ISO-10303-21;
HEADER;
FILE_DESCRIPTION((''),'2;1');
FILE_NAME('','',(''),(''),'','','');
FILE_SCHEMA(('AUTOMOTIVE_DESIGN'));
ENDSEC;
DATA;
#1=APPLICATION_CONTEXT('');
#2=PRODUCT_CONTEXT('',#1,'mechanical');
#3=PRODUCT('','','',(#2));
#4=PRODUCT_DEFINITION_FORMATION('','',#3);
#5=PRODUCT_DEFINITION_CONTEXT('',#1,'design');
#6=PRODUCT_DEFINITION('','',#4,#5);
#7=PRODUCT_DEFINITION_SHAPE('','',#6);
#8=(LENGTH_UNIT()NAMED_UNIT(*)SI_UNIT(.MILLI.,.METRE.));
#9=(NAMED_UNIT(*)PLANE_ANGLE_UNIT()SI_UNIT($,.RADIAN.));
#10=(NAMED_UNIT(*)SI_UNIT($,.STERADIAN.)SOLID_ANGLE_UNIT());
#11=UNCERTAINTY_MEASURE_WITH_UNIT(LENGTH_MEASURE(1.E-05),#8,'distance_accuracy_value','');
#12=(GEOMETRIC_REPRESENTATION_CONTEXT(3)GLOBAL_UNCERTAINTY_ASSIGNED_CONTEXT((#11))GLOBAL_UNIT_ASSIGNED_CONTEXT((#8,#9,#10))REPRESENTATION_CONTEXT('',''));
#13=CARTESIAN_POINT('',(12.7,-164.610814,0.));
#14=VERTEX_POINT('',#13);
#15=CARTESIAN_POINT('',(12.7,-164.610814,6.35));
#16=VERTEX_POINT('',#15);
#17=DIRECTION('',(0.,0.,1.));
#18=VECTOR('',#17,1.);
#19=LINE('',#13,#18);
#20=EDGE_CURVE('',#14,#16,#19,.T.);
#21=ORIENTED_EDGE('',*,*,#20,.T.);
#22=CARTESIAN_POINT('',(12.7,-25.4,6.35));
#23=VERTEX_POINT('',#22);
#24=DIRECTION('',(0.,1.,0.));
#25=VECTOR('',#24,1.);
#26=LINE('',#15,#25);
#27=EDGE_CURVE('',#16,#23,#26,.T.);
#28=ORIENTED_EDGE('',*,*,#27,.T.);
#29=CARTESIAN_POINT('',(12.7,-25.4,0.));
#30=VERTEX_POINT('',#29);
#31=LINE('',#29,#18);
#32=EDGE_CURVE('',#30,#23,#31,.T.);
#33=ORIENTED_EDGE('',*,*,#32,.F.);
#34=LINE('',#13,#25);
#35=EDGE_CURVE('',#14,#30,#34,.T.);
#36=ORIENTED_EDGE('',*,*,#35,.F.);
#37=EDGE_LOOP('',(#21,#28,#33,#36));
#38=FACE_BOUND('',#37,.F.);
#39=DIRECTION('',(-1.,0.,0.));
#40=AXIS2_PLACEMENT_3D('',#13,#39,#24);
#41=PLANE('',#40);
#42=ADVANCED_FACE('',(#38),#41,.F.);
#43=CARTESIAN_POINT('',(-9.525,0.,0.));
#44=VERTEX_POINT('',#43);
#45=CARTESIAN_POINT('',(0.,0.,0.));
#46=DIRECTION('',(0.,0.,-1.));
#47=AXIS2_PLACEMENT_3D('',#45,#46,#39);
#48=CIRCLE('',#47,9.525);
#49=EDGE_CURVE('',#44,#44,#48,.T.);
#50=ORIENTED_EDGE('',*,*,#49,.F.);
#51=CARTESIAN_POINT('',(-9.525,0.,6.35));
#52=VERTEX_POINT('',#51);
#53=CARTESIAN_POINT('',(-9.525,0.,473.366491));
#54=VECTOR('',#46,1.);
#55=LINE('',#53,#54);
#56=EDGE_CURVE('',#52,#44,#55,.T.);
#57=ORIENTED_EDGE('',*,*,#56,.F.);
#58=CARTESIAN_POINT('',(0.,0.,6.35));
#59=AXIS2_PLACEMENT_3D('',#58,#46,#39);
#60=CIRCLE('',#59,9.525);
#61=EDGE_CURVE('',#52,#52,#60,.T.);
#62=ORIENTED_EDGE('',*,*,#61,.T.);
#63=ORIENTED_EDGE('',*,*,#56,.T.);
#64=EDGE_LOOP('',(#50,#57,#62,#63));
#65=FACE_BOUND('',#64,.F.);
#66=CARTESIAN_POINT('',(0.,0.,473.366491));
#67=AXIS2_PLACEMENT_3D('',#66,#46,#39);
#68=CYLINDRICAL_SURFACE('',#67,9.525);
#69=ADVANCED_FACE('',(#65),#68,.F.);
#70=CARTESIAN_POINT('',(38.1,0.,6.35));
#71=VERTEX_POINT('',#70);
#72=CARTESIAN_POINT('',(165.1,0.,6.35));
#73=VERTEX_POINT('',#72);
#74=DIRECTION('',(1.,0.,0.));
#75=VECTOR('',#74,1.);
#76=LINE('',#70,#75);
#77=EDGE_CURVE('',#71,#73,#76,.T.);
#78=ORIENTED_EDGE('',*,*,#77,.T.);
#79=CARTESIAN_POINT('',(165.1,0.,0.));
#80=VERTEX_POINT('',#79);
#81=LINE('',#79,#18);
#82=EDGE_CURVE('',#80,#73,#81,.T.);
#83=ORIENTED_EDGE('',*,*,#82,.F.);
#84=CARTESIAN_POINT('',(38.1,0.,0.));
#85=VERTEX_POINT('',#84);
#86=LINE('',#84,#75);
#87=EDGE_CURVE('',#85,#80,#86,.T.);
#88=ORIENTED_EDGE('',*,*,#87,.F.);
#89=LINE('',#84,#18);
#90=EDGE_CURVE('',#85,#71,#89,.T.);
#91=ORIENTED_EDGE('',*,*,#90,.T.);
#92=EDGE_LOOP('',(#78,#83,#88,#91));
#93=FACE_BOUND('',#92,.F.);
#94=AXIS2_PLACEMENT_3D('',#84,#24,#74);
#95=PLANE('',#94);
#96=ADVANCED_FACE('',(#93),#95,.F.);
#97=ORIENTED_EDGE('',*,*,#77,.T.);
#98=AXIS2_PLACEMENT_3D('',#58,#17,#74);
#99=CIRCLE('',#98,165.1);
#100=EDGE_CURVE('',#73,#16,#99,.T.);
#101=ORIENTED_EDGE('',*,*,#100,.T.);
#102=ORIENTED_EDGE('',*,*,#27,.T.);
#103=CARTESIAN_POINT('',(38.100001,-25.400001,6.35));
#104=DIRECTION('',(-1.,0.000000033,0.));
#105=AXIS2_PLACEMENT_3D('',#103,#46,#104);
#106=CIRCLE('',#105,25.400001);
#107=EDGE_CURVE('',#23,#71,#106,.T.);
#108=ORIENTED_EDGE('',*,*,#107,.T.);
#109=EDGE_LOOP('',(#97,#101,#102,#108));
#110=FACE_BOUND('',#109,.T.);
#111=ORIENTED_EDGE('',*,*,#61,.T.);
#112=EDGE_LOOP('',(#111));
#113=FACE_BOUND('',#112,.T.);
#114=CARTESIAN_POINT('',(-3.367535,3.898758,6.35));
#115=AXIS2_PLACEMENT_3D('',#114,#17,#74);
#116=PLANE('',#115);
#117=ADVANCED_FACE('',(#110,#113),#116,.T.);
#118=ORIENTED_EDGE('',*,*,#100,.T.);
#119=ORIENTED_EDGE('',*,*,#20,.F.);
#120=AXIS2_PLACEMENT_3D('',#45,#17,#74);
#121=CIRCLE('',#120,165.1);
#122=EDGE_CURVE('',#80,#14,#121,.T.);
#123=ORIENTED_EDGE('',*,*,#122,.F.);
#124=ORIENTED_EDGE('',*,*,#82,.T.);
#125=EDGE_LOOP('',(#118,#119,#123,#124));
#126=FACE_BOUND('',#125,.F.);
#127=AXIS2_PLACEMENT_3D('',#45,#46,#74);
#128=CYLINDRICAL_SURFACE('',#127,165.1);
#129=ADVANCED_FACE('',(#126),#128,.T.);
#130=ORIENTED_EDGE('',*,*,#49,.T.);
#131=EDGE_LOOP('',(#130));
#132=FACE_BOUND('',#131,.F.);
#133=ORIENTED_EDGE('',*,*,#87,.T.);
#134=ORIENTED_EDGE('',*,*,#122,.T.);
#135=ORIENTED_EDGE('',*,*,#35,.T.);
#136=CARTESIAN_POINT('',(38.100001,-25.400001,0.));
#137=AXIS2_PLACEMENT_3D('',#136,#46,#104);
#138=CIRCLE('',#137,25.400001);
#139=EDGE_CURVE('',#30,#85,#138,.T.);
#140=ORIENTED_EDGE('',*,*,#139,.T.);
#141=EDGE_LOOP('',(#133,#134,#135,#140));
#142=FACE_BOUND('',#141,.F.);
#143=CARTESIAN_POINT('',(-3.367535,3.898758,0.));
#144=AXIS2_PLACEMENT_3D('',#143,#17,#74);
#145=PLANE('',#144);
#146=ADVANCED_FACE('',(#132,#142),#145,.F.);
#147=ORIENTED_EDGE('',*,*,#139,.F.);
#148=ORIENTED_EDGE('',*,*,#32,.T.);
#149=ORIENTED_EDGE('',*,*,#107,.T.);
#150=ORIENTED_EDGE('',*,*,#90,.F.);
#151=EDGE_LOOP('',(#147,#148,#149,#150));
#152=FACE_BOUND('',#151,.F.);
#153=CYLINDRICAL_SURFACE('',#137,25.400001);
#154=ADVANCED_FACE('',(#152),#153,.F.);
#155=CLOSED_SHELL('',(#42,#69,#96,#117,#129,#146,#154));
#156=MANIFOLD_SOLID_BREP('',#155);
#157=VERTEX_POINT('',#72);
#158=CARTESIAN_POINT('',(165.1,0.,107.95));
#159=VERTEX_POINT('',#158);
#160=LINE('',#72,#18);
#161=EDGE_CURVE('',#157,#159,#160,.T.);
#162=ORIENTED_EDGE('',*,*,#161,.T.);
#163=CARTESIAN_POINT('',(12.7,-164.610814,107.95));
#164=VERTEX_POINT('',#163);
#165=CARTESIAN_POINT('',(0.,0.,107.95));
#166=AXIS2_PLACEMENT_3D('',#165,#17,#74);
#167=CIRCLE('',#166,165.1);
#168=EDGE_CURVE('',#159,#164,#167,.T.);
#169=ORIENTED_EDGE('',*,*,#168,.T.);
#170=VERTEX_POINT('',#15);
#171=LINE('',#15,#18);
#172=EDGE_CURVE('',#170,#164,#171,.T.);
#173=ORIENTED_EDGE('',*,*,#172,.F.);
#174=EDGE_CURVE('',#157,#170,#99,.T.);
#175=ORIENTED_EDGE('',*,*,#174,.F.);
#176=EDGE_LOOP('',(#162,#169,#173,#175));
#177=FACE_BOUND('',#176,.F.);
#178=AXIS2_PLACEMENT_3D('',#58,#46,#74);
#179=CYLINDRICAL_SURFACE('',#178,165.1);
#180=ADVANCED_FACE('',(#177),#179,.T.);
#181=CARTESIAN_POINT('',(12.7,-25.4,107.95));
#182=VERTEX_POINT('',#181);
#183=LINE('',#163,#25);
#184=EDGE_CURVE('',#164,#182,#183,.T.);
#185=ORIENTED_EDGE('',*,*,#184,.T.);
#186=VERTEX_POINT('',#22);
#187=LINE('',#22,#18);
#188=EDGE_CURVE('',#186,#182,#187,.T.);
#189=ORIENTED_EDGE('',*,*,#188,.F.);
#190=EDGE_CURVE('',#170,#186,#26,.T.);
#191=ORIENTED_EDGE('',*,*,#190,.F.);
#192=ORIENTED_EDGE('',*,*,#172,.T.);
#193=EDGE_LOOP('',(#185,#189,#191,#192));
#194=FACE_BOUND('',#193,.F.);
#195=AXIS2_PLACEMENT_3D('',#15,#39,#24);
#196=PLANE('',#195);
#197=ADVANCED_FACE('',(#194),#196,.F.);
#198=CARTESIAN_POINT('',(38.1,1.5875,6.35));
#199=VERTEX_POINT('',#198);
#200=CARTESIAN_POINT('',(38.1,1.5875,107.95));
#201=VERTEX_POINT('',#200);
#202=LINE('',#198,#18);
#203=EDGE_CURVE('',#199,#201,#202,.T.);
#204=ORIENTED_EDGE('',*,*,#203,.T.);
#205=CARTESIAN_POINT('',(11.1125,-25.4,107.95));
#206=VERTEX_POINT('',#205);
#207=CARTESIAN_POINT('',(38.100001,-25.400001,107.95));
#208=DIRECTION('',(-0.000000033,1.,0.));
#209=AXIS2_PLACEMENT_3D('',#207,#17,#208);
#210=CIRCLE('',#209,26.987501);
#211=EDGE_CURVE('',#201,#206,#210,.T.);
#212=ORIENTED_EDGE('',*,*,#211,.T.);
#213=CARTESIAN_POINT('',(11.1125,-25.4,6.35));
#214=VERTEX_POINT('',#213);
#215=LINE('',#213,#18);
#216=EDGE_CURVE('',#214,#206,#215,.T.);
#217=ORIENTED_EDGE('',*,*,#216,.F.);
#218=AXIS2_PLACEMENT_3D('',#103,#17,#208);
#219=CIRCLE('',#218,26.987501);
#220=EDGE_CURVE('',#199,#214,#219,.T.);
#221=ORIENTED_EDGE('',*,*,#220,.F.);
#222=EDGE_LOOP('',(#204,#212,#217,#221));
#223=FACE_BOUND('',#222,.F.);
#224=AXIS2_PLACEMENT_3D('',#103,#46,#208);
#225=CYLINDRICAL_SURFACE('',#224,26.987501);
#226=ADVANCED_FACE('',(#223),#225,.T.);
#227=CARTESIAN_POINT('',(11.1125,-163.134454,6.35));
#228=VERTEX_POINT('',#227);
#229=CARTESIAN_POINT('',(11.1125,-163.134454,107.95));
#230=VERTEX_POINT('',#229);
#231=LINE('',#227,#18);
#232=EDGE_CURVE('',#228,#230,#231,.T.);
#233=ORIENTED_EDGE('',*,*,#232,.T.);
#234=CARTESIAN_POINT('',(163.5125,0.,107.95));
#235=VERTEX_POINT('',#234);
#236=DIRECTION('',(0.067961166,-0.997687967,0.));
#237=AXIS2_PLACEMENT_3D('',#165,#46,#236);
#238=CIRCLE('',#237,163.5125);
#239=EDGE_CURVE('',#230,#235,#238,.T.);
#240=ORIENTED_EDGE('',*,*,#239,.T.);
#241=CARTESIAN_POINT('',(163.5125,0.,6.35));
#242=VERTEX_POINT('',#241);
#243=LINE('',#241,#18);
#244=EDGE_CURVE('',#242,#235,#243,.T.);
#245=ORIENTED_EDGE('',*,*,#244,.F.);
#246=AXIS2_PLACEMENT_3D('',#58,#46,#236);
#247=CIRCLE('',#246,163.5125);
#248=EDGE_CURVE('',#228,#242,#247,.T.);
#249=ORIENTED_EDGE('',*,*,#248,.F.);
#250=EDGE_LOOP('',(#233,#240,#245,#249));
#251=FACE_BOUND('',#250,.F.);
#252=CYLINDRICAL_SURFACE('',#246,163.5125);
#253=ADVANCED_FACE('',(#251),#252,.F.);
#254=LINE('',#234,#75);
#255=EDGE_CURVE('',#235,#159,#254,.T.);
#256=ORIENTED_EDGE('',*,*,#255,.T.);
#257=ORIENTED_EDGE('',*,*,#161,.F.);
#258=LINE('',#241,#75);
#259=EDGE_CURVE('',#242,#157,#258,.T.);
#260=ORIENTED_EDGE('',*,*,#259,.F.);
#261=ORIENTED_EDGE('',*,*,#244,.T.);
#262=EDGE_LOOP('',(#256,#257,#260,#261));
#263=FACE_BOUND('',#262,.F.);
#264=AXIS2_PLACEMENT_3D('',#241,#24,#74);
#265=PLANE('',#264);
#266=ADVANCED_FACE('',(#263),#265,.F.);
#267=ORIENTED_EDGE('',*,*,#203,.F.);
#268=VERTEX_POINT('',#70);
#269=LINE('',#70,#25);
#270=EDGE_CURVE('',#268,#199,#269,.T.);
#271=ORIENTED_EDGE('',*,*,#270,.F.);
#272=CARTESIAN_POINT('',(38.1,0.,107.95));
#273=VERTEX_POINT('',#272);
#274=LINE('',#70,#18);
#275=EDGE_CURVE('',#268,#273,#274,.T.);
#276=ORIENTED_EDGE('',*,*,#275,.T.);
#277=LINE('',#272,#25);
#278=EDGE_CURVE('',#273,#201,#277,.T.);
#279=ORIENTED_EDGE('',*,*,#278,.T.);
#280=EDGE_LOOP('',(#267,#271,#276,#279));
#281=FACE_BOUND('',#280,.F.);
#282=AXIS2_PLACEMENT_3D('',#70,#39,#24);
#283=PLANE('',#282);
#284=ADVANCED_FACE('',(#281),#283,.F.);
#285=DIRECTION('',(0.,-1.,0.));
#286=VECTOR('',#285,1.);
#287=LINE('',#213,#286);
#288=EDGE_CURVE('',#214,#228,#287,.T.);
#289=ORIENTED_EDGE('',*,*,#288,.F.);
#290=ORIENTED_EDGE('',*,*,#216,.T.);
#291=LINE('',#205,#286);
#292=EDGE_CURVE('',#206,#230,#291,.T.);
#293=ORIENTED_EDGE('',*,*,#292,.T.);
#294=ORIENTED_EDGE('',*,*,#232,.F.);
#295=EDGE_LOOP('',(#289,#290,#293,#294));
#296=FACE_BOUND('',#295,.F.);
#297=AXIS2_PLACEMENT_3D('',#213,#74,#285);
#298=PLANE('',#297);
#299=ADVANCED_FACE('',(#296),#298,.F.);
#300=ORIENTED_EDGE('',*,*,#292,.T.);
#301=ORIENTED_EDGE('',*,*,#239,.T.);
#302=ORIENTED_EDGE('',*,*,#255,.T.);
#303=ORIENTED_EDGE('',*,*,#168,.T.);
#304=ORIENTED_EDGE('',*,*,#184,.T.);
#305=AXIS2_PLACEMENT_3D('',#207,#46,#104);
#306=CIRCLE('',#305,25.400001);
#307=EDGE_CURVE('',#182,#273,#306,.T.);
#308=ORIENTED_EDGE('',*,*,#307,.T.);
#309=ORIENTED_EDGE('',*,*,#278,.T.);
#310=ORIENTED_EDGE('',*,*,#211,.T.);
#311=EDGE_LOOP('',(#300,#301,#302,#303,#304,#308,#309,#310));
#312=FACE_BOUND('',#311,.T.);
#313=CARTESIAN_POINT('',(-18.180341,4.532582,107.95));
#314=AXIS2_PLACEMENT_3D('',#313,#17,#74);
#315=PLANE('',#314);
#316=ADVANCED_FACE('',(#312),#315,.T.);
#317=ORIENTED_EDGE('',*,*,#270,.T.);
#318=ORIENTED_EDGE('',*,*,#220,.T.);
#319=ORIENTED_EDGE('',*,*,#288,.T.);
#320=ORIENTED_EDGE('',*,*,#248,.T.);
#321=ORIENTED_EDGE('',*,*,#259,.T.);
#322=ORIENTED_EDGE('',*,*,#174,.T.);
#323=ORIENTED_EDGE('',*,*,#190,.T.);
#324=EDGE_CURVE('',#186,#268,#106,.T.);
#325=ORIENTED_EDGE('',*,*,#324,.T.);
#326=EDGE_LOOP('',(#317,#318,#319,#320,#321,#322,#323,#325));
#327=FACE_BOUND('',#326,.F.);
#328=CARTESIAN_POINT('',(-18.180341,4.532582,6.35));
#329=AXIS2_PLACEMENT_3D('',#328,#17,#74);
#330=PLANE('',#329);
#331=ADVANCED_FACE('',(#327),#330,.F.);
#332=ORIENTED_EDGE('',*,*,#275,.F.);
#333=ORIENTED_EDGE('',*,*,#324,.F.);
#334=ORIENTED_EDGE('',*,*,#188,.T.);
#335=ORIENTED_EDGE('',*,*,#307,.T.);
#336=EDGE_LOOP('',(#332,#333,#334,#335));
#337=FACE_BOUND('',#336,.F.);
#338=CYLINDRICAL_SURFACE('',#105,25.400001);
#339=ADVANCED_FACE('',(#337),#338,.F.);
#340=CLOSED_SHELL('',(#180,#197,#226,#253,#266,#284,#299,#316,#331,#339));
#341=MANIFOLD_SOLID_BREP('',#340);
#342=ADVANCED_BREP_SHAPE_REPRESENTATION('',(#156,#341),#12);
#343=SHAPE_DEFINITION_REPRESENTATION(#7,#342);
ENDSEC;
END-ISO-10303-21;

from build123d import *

# Parameters (mm, degrees)
F1_DEPTH = 6.35
F3_DEPTH = 101.6
F5_D     = 19.05


with BuildPart() as f1:
    # F0 (on Top) → F1 (new body)
    with BuildSketch(Plane.XY):
        with BuildLine():
            Line((38.1, 0), (165.1, 0))
            ThreePointArc((165.1, 0), (-121.150279, 112.163363), (12.7, -164.610814))
            Line((12.7, -164.610814), (12.7, -25.4))
            ThreePointArc((12.7, -25.4), (20.139488, -7.439488), (38.1, 0))
        make_face()
    extrude(amount=F1_DEPTH)

    # F5 (through all)
    with Locations(Plane.XY.offset(6.35)):
        with Locations((0, 0)):
            Hole(F5_D / 2)


with BuildPart() as f3:
    # F2 (on face) → F3 (new body)
    with BuildSketch(Plane.XY.offset(6.35)):
        with BuildLine():
            Line((38.1, 0), (38.1, 1.5875))
            ThreePointArc((38.1, 1.5875), (19.016956, -6.316956), (11.1125, -25.4))
            Line((11.1125, -25.4), (11.1125, -163.134454))
            ThreePointArc((11.1125, -163.134454), (-119.485083, 111.622814), (163.5125, 0))
            Line((163.5125, 0), (165.1, 0))
            ThreePointArc((165.1, 0), (-121.150279, 112.163363), (12.7, -164.610814))
            Line((12.7, -164.610814), (12.7, -25.4))
            ThreePointArc((12.7, -25.4), (20.139488, -7.439488), (38.1, 0))
        make_face()
    extrude(amount=F3_DEPTH)


solid = Compound([f1.part, f3.part])
